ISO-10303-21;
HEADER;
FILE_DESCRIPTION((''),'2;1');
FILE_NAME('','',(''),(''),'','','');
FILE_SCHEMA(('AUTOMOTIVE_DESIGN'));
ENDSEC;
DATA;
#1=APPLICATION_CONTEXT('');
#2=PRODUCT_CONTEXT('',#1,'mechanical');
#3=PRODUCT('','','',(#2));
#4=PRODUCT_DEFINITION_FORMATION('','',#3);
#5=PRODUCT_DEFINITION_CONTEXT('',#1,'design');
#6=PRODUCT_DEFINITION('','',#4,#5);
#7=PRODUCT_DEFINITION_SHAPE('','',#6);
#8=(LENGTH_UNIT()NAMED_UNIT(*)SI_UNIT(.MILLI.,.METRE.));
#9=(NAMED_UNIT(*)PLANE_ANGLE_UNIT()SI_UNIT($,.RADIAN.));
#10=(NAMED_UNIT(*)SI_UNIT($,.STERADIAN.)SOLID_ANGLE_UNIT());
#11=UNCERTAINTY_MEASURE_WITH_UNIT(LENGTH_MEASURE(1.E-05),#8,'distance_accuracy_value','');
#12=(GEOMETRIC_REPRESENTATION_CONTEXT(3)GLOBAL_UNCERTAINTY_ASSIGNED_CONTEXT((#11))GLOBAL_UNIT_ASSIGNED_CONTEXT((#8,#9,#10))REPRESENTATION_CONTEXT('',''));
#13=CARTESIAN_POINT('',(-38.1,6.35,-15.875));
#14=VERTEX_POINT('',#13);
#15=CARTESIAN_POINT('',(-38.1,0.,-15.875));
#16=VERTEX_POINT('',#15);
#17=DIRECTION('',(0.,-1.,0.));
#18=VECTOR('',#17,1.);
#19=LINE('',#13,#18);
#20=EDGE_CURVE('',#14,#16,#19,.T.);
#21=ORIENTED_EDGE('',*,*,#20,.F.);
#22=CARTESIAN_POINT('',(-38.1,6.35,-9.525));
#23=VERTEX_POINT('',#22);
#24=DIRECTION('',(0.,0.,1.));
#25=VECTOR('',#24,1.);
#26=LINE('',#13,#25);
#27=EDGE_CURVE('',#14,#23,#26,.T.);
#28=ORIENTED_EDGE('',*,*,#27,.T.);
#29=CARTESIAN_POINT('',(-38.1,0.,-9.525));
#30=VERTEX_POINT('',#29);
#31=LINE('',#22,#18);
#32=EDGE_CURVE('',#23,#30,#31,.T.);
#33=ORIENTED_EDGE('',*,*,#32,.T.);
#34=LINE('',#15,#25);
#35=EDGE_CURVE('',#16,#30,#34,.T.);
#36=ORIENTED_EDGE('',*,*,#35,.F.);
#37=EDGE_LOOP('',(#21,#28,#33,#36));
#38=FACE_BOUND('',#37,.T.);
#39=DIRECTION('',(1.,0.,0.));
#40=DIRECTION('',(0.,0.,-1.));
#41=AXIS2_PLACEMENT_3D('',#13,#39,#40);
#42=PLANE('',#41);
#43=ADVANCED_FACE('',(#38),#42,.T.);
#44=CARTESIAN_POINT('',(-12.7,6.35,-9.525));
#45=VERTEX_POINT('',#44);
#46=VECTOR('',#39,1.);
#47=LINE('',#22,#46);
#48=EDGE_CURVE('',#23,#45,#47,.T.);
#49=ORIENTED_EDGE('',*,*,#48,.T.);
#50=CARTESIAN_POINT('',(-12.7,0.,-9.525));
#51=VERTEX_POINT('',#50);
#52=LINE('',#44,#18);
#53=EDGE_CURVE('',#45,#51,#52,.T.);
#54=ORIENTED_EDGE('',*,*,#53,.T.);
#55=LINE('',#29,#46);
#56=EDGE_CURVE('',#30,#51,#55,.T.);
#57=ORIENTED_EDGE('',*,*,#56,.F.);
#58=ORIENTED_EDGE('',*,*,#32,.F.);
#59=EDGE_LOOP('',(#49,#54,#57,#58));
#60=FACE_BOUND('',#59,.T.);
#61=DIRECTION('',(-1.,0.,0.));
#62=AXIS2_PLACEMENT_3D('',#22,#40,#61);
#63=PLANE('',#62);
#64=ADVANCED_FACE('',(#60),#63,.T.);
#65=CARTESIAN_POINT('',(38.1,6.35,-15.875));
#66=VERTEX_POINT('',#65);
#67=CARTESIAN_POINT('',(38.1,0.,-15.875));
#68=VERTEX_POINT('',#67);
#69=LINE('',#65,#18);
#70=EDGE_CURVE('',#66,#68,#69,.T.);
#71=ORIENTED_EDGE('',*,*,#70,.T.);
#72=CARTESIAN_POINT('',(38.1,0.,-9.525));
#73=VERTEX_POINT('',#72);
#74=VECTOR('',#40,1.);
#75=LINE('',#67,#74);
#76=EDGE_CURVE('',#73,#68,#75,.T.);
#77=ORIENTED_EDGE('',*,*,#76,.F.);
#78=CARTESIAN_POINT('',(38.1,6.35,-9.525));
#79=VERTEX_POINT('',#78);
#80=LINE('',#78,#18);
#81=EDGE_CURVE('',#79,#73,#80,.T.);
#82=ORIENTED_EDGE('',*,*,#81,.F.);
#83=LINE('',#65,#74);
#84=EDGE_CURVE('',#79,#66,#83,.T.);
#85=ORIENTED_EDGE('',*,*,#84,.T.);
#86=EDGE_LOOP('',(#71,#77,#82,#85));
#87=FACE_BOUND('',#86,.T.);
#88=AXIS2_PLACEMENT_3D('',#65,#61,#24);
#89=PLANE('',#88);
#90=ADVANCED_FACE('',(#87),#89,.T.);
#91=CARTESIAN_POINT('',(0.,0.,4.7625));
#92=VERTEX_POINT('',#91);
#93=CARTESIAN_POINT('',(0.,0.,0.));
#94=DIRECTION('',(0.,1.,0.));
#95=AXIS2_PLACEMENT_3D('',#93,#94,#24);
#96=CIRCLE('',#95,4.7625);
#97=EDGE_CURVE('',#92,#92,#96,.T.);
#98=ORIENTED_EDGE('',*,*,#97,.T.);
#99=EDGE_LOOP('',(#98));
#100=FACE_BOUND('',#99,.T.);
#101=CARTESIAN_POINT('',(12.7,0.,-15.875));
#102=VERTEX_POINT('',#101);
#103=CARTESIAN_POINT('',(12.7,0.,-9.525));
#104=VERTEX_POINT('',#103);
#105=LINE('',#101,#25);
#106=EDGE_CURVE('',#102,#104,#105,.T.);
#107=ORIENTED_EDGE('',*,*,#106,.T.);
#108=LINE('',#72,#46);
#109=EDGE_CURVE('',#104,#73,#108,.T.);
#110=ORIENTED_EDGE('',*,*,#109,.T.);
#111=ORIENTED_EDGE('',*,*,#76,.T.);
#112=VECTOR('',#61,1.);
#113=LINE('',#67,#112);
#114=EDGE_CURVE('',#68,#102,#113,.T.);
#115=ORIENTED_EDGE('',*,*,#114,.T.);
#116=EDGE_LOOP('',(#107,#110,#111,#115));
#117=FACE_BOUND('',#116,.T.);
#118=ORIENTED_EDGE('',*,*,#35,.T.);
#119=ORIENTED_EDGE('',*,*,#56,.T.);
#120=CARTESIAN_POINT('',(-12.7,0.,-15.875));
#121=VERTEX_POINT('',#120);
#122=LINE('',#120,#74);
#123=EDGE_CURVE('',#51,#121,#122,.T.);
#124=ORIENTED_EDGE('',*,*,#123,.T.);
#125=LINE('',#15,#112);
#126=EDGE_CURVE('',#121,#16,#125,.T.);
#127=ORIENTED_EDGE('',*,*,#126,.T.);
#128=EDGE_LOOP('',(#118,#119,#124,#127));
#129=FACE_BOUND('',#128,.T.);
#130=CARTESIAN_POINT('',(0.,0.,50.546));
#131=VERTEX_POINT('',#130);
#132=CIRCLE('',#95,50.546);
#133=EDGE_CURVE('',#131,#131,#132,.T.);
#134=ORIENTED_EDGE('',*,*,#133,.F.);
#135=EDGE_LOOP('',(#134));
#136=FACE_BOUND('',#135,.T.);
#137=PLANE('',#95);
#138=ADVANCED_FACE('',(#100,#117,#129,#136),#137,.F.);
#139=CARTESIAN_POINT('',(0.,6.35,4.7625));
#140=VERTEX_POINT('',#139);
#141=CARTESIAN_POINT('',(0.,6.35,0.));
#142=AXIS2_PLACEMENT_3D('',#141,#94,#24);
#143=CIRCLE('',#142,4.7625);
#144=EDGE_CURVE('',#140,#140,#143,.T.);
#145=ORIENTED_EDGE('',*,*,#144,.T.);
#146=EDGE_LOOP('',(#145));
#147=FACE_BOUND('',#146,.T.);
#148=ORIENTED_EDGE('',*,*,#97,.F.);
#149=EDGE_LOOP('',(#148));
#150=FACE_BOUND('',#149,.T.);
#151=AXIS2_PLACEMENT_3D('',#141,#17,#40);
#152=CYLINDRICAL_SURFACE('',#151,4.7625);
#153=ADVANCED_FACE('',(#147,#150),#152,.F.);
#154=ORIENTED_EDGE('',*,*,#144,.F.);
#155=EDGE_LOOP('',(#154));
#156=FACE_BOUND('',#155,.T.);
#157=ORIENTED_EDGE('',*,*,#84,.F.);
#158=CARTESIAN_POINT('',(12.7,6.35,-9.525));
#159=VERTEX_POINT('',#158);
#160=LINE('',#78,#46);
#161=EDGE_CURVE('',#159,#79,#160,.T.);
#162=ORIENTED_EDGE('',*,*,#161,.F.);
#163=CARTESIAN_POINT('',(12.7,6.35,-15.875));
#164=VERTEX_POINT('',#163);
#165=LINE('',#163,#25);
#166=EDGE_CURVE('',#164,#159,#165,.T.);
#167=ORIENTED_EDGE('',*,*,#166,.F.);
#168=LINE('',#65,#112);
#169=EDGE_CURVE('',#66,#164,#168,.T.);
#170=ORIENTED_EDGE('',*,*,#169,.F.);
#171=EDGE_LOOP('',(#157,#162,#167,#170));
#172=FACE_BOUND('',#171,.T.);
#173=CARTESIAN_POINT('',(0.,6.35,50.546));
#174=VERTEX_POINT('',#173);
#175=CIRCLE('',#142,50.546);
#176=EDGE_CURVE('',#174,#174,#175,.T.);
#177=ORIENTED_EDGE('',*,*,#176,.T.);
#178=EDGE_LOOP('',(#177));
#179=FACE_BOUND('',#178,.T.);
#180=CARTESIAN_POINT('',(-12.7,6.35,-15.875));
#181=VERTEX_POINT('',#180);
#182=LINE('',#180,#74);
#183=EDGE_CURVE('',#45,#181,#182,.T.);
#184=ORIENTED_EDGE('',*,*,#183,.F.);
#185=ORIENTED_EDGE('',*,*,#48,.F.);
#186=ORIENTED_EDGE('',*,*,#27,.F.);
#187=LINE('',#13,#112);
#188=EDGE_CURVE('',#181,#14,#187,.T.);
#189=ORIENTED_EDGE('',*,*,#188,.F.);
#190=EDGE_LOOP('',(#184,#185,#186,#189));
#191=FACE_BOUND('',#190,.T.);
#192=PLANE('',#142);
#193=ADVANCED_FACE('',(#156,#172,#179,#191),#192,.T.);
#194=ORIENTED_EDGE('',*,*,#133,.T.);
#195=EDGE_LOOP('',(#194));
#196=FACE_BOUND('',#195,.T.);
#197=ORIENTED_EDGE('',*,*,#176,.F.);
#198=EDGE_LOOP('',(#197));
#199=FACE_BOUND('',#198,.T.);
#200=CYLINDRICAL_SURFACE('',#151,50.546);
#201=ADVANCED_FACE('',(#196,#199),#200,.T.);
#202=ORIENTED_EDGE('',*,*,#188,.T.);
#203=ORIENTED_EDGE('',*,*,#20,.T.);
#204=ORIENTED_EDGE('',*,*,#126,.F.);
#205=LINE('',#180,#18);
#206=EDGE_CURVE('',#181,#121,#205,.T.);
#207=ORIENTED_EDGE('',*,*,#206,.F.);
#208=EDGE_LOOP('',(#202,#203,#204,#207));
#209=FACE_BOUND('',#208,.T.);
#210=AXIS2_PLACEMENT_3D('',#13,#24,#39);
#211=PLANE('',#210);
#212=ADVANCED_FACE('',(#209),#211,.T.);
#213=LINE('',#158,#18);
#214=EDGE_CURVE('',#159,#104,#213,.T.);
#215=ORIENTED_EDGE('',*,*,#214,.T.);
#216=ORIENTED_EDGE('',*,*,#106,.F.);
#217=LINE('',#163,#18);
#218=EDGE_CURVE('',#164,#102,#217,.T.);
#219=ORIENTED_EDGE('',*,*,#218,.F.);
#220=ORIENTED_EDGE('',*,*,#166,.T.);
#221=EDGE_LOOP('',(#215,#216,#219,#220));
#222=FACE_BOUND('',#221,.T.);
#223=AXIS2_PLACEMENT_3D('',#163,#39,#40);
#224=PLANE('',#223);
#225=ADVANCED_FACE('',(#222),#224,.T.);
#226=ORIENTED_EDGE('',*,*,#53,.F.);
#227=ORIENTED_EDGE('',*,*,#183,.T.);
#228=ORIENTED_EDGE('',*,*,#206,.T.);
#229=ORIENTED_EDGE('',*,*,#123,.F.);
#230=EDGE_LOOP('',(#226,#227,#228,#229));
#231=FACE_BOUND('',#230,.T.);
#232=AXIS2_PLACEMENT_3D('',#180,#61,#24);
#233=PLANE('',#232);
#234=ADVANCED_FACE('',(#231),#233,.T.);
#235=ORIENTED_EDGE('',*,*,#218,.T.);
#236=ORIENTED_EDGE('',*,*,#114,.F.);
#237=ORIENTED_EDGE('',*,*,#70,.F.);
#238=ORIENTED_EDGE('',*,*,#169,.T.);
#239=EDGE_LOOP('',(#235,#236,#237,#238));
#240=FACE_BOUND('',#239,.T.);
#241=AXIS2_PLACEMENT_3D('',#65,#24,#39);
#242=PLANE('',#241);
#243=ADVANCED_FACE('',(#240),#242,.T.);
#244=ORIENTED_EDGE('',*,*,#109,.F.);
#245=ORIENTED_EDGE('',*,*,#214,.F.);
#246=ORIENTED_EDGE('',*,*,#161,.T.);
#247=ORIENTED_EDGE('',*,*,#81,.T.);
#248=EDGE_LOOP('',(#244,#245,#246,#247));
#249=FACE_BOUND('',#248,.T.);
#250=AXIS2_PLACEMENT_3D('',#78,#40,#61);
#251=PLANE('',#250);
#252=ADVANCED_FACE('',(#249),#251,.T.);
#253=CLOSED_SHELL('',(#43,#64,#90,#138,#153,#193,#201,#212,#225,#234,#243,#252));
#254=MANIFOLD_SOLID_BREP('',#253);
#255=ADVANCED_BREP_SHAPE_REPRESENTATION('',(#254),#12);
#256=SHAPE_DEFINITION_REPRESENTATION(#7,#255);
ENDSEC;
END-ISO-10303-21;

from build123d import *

# Parameters (mm, degrees)
SKETCH1_R           = 50.546
SKETCH1_R_2         = 4.7625
SKETCH1_W           = 25.4
SKETCH1_H           = 6.35
BOSS_EXTRUDE1_DEPTH = 6.35


with BuildPart() as part:
    # Sketch1 → Boss-Extrude1 (new body)
    with BuildSketch(Plane(origin=(0, 0, 0), x_dir=(1, 0, 0), z_dir=(0, 1, 0))):
        with Locations(Location((0, 0, 0), (0, 0, 270))):
            Circle(SKETCH1_R)
        with Locations(Location((0, 0, 0), (0, 0, 270))):
            Circle(SKETCH1_R_2, mode=Mode.SUBTRACT)
        with Locations((-25.4, 12.7)):
            Rectangle(SKETCH1_W, SKETCH1_H, mode=Mode.SUBTRACT)
        with Locations((25.4, 12.7)):
            Rectangle(SKETCH1_W, SKETCH1_H, mode=Mode.SUBTRACT)
    extrude(amount=BOSS_EXTRUDE1_DEPTH)


solid = part.part
